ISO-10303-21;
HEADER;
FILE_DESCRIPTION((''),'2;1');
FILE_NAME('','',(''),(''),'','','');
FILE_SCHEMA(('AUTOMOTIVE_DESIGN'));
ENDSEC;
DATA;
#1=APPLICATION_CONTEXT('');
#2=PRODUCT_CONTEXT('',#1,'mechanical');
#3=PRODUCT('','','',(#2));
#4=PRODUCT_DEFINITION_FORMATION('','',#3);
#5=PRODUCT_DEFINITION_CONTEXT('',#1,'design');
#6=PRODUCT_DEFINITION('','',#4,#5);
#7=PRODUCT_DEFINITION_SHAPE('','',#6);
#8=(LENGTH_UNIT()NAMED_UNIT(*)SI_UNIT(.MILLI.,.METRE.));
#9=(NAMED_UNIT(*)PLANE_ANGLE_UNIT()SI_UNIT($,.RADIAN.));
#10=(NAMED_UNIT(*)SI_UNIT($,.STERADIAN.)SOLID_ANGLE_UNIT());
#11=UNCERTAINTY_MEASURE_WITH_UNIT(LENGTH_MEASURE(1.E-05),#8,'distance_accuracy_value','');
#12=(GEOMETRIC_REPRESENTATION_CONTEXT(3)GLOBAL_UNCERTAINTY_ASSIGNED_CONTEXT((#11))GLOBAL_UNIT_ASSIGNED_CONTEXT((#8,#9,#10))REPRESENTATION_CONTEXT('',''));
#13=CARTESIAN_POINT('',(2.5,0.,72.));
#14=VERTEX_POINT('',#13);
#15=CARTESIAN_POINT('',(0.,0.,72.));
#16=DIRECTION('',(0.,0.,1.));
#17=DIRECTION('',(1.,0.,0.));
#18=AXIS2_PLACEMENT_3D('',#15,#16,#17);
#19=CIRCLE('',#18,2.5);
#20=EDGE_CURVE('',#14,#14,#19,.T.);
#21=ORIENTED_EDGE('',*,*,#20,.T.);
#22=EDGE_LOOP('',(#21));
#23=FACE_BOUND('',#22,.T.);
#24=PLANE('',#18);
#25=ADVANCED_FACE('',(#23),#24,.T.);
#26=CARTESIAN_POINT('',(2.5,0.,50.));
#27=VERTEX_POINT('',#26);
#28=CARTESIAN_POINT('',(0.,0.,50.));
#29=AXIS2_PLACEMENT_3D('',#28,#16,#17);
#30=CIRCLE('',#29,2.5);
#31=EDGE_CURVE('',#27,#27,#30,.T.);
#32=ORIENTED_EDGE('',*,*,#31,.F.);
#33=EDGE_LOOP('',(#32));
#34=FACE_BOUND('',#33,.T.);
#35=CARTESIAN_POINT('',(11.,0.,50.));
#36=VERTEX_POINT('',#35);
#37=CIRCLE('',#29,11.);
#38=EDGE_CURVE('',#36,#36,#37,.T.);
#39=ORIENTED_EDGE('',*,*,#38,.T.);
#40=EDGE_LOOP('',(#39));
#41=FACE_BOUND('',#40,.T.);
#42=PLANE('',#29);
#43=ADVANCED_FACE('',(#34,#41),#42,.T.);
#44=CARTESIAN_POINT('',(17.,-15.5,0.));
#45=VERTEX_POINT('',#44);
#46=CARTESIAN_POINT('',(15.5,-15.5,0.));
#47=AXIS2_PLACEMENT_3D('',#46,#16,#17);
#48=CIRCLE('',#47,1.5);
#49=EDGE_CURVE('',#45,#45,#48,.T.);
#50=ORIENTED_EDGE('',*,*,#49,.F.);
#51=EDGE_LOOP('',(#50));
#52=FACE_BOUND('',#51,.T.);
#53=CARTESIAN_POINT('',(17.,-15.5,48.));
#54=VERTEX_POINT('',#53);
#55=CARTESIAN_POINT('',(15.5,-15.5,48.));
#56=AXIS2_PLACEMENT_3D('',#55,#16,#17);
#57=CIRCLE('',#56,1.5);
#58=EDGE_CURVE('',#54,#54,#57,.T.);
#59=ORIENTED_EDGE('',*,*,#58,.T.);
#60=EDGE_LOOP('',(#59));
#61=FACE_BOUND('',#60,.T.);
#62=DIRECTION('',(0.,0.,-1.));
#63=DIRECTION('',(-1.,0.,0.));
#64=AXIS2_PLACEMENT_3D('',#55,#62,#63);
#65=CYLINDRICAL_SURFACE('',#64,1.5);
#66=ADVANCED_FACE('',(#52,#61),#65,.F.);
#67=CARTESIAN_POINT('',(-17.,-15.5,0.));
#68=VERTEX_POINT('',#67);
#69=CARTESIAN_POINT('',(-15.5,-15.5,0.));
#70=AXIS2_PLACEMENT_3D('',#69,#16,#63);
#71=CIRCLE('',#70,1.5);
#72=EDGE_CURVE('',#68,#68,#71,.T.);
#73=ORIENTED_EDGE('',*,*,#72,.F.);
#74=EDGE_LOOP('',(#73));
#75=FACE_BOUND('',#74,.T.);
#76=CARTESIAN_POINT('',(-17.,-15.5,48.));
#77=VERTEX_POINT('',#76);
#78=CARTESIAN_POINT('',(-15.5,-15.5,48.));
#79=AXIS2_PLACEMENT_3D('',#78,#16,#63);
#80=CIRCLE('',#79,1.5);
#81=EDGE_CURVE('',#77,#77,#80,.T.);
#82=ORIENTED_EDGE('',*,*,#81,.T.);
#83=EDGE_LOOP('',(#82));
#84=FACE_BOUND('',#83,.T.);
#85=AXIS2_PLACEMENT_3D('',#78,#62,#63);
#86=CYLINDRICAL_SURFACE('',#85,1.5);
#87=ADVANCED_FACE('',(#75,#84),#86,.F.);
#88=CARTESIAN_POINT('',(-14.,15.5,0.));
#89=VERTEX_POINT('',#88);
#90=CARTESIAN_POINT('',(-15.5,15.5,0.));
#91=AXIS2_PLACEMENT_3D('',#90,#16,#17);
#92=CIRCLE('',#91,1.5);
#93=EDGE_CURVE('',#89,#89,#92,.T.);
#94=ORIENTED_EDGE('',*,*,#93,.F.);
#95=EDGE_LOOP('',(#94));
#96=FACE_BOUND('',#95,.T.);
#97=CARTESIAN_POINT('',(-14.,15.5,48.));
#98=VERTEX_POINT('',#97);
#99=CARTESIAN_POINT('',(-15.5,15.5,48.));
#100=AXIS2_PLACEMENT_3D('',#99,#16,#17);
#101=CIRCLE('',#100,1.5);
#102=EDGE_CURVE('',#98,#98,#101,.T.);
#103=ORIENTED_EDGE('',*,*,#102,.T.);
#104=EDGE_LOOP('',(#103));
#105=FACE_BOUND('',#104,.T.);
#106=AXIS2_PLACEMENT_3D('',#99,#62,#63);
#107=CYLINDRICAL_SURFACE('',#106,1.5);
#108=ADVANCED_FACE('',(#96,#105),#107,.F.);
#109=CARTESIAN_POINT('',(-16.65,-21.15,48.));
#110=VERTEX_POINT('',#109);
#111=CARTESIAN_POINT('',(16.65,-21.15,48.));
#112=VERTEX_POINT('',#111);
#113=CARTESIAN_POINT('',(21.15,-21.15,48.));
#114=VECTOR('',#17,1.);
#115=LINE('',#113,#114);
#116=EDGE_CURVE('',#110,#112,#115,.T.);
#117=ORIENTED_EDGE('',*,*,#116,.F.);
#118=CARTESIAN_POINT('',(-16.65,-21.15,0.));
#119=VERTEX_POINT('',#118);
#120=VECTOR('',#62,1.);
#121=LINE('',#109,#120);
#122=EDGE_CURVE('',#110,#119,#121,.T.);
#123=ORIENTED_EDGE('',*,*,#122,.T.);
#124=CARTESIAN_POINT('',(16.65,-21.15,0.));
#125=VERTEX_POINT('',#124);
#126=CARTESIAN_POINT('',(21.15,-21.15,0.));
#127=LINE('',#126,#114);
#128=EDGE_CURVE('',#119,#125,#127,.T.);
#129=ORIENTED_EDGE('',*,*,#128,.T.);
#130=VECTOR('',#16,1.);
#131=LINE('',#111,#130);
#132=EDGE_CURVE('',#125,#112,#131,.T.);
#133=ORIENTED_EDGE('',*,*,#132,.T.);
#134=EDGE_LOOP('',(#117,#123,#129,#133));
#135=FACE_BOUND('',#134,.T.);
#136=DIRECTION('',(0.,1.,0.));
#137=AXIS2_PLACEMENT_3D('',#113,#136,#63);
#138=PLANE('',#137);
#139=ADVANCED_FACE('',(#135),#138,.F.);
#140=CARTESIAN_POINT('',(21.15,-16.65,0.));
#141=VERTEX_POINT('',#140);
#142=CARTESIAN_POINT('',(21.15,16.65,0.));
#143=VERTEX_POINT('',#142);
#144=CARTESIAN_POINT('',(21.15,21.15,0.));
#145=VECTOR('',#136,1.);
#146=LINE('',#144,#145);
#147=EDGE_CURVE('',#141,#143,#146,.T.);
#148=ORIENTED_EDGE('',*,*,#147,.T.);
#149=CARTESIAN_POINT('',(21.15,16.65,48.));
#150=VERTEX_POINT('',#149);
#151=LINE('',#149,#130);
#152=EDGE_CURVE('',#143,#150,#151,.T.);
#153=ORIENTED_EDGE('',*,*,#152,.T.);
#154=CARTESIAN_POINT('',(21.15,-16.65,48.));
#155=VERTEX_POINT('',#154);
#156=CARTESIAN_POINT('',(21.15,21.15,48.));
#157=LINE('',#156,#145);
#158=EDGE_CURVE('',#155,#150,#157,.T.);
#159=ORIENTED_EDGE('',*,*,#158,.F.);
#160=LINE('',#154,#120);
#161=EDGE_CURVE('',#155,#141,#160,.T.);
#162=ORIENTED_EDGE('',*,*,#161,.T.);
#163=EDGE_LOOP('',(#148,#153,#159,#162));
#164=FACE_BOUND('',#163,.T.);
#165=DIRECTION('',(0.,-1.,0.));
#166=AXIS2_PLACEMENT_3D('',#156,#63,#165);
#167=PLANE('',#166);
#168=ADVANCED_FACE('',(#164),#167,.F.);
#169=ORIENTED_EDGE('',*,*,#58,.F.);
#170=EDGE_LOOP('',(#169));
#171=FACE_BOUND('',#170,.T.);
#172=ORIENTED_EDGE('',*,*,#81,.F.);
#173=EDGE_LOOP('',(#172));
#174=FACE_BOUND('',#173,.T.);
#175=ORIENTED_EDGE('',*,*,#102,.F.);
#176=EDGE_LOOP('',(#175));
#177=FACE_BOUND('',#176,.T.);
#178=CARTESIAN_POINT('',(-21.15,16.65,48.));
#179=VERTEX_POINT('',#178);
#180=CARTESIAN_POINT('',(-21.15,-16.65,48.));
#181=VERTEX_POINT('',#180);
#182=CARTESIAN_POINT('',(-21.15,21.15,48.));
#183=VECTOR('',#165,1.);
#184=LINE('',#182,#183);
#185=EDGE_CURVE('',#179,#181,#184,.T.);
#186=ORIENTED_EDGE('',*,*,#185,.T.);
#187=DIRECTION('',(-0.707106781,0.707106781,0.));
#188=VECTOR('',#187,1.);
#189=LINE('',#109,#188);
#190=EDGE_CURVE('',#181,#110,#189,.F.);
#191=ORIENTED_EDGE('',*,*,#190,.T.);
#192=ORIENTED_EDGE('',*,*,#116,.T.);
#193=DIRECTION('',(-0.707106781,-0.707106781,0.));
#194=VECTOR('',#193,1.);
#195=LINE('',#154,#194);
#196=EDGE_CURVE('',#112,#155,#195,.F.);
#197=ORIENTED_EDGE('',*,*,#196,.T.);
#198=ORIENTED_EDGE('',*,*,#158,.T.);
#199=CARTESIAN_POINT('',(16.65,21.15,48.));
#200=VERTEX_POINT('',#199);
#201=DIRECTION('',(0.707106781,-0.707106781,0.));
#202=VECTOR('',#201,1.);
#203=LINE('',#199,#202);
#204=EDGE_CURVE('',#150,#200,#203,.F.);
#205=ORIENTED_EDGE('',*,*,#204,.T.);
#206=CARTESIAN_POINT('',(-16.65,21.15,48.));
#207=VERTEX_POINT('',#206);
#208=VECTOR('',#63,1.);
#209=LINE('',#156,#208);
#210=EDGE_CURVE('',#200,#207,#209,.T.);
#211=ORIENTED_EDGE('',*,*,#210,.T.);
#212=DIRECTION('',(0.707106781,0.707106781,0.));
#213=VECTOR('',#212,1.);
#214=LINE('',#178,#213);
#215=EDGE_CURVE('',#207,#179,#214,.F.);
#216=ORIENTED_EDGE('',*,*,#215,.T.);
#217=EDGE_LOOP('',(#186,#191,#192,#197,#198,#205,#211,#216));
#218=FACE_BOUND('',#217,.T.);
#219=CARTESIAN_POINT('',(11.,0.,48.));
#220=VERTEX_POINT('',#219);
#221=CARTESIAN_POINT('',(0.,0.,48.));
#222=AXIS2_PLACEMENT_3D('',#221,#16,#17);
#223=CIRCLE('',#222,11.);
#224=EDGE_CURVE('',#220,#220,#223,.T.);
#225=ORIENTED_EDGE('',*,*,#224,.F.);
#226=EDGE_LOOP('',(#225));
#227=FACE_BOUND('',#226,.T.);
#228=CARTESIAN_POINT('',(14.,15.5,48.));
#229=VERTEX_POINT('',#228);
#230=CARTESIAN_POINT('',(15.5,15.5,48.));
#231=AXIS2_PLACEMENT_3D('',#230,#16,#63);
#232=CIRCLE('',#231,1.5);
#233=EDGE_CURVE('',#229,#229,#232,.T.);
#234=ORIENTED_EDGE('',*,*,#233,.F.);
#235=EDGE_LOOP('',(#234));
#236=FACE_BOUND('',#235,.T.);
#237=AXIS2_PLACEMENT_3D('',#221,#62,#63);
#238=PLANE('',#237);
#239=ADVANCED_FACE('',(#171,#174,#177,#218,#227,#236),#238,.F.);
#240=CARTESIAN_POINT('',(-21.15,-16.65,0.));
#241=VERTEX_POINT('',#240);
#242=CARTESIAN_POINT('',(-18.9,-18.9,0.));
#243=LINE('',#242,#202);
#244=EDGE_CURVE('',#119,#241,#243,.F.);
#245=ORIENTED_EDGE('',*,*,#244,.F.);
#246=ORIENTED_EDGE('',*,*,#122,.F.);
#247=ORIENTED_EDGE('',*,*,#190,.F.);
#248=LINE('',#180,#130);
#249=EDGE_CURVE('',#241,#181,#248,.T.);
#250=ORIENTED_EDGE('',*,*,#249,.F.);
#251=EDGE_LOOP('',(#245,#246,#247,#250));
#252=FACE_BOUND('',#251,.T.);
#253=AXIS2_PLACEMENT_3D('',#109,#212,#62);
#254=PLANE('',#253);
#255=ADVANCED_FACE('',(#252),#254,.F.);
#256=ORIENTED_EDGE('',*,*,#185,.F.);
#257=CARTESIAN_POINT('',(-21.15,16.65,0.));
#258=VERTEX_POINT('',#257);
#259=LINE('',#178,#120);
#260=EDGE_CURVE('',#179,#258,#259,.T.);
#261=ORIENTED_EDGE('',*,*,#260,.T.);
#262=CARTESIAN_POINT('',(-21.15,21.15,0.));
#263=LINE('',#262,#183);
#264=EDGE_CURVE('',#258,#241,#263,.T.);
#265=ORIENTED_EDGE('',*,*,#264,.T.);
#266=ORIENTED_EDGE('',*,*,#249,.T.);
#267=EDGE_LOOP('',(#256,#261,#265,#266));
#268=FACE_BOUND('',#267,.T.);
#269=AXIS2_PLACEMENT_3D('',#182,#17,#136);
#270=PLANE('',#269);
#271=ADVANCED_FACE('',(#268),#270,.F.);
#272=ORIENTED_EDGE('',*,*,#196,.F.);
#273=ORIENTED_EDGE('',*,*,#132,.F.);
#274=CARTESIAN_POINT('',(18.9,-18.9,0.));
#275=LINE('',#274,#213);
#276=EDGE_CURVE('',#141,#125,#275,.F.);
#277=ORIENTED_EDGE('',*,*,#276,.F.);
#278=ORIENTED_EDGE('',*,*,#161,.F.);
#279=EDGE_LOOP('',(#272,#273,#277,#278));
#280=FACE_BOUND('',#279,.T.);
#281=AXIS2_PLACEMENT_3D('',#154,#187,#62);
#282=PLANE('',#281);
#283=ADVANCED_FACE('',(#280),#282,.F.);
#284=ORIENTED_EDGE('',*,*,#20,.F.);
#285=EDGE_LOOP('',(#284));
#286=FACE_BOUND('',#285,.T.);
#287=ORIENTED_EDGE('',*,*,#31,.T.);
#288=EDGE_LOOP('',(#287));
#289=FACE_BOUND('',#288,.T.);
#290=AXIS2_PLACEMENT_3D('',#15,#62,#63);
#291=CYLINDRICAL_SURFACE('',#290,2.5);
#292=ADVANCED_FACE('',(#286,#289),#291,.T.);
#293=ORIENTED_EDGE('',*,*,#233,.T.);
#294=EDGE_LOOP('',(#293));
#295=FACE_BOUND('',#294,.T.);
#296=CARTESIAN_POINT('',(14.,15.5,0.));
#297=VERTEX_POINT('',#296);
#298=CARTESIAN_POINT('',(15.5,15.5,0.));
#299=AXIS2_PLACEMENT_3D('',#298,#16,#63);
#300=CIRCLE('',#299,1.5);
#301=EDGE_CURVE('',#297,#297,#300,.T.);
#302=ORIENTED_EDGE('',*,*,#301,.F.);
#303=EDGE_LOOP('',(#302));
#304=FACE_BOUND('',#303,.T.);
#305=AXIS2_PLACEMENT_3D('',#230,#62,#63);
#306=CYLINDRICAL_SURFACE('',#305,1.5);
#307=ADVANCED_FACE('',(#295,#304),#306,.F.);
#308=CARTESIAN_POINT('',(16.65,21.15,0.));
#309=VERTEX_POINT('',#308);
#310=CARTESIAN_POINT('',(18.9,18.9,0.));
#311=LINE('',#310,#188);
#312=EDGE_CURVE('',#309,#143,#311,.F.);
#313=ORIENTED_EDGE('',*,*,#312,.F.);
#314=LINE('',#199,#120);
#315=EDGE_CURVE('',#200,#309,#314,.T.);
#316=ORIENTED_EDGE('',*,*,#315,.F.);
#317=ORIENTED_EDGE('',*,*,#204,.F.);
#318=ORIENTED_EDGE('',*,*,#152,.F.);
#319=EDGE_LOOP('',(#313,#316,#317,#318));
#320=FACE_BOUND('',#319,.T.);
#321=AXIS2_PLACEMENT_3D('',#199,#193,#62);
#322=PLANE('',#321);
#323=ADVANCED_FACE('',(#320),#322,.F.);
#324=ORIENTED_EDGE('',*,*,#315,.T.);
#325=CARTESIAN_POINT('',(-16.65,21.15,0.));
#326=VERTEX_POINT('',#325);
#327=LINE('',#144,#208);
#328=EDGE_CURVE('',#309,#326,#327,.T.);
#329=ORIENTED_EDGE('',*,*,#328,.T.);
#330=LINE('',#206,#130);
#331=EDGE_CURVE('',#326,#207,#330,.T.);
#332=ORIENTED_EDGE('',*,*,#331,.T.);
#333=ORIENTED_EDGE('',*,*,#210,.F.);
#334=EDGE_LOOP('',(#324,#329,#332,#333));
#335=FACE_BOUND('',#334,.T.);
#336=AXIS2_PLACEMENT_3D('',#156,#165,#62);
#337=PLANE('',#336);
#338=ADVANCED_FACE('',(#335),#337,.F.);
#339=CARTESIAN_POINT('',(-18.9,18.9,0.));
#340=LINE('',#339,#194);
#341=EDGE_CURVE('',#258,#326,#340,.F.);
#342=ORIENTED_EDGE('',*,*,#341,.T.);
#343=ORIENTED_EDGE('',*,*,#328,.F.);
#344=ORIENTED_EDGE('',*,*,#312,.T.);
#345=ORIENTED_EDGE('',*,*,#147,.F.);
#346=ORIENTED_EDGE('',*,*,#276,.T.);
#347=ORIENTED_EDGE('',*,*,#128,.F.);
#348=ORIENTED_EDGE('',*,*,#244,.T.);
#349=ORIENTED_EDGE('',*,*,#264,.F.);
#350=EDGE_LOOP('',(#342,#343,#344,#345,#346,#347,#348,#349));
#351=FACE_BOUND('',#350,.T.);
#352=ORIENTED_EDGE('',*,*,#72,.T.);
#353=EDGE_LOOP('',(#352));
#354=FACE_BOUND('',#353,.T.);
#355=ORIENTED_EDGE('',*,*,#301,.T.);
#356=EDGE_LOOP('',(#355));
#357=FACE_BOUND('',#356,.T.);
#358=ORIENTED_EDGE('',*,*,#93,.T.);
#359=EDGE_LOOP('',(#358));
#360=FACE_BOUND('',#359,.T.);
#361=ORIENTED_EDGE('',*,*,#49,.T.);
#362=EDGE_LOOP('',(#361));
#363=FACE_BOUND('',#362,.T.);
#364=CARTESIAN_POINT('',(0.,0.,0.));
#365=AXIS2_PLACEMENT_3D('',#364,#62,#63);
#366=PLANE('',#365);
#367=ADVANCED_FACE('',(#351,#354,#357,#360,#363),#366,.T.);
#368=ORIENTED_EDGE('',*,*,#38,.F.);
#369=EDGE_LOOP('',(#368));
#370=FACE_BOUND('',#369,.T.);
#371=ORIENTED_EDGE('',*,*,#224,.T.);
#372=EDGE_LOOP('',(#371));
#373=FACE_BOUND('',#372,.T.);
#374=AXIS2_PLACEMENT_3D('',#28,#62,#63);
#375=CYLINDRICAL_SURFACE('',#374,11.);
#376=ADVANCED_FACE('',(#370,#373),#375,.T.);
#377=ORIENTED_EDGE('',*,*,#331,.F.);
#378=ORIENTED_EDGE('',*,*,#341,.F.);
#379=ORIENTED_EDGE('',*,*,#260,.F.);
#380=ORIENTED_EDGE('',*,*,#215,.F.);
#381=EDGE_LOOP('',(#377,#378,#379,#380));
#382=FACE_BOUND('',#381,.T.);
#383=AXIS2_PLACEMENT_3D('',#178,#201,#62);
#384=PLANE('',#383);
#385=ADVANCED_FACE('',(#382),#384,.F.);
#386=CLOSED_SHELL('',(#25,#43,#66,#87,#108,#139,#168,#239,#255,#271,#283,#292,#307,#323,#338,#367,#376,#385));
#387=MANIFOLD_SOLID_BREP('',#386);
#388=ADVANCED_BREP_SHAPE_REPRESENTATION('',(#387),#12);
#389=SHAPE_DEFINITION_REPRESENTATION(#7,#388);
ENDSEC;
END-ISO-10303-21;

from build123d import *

# Parameters (mm, degrees)
SKETCH1_W           = 42.3
SKETCH1_H           = 42.3
SKETCH1_R           = 1.5
BOSS_EXTRUDE1_DEPTH = 48
SKETCH2_R           = 11
BOSS_EXTRUDE2_DEPTH = 2
SKETCH3_R           = 2.5
BOSS_EXTRUDE3_DEPTH = 22
CHAMFER1_SIZE       = 4.5


with BuildPart() as part:
    # Sketch1 → Boss-Extrude1 (new body)
    with BuildSketch(Plane.XY):
        Rectangle(SKETCH1_W, SKETCH1_H)
        with Locations((-15.5, 15.5)):
            Circle(SKETCH1_R, mode=Mode.SUBTRACT)
        with Locations((15.5, 15.5)):
            Circle(SKETCH1_R, mode=Mode.SUBTRACT)
        with Locations((-15.5, -15.5)):
            Circle(SKETCH1_R, mode=Mode.SUBTRACT)
        with Locations((15.5, -15.5)):
            Circle(SKETCH1_R, mode=Mode.SUBTRACT)
    extrude(amount=BOSS_EXTRUDE1_DEPTH)

    # Sketch2 → Boss-Extrude2 (add)
    with BuildSketch(Plane.XY.offset(48)):
        Circle(SKETCH2_R)
    extrude(amount=BOSS_EXTRUDE2_DEPTH)

    # Sketch3 → Boss-Extrude3 (add)
    with BuildSketch(Plane.XY.offset(50)):
        Circle(SKETCH3_R)
    extrude(amount=BOSS_EXTRUDE3_DEPTH)

    # Chamfer1
    chamfer1_edges = [part.edges().sort_by_distance(p)[0] for p in [
        (-21.15, 21.15, 24),
        (21.15, 21.15, 24),
        (21.15, -21.15, 24),
        (-21.15, -21.15, 24),
    ]]
    chamfer(chamfer1_edges, length=CHAMFER1_SIZE)


solid = part.part
